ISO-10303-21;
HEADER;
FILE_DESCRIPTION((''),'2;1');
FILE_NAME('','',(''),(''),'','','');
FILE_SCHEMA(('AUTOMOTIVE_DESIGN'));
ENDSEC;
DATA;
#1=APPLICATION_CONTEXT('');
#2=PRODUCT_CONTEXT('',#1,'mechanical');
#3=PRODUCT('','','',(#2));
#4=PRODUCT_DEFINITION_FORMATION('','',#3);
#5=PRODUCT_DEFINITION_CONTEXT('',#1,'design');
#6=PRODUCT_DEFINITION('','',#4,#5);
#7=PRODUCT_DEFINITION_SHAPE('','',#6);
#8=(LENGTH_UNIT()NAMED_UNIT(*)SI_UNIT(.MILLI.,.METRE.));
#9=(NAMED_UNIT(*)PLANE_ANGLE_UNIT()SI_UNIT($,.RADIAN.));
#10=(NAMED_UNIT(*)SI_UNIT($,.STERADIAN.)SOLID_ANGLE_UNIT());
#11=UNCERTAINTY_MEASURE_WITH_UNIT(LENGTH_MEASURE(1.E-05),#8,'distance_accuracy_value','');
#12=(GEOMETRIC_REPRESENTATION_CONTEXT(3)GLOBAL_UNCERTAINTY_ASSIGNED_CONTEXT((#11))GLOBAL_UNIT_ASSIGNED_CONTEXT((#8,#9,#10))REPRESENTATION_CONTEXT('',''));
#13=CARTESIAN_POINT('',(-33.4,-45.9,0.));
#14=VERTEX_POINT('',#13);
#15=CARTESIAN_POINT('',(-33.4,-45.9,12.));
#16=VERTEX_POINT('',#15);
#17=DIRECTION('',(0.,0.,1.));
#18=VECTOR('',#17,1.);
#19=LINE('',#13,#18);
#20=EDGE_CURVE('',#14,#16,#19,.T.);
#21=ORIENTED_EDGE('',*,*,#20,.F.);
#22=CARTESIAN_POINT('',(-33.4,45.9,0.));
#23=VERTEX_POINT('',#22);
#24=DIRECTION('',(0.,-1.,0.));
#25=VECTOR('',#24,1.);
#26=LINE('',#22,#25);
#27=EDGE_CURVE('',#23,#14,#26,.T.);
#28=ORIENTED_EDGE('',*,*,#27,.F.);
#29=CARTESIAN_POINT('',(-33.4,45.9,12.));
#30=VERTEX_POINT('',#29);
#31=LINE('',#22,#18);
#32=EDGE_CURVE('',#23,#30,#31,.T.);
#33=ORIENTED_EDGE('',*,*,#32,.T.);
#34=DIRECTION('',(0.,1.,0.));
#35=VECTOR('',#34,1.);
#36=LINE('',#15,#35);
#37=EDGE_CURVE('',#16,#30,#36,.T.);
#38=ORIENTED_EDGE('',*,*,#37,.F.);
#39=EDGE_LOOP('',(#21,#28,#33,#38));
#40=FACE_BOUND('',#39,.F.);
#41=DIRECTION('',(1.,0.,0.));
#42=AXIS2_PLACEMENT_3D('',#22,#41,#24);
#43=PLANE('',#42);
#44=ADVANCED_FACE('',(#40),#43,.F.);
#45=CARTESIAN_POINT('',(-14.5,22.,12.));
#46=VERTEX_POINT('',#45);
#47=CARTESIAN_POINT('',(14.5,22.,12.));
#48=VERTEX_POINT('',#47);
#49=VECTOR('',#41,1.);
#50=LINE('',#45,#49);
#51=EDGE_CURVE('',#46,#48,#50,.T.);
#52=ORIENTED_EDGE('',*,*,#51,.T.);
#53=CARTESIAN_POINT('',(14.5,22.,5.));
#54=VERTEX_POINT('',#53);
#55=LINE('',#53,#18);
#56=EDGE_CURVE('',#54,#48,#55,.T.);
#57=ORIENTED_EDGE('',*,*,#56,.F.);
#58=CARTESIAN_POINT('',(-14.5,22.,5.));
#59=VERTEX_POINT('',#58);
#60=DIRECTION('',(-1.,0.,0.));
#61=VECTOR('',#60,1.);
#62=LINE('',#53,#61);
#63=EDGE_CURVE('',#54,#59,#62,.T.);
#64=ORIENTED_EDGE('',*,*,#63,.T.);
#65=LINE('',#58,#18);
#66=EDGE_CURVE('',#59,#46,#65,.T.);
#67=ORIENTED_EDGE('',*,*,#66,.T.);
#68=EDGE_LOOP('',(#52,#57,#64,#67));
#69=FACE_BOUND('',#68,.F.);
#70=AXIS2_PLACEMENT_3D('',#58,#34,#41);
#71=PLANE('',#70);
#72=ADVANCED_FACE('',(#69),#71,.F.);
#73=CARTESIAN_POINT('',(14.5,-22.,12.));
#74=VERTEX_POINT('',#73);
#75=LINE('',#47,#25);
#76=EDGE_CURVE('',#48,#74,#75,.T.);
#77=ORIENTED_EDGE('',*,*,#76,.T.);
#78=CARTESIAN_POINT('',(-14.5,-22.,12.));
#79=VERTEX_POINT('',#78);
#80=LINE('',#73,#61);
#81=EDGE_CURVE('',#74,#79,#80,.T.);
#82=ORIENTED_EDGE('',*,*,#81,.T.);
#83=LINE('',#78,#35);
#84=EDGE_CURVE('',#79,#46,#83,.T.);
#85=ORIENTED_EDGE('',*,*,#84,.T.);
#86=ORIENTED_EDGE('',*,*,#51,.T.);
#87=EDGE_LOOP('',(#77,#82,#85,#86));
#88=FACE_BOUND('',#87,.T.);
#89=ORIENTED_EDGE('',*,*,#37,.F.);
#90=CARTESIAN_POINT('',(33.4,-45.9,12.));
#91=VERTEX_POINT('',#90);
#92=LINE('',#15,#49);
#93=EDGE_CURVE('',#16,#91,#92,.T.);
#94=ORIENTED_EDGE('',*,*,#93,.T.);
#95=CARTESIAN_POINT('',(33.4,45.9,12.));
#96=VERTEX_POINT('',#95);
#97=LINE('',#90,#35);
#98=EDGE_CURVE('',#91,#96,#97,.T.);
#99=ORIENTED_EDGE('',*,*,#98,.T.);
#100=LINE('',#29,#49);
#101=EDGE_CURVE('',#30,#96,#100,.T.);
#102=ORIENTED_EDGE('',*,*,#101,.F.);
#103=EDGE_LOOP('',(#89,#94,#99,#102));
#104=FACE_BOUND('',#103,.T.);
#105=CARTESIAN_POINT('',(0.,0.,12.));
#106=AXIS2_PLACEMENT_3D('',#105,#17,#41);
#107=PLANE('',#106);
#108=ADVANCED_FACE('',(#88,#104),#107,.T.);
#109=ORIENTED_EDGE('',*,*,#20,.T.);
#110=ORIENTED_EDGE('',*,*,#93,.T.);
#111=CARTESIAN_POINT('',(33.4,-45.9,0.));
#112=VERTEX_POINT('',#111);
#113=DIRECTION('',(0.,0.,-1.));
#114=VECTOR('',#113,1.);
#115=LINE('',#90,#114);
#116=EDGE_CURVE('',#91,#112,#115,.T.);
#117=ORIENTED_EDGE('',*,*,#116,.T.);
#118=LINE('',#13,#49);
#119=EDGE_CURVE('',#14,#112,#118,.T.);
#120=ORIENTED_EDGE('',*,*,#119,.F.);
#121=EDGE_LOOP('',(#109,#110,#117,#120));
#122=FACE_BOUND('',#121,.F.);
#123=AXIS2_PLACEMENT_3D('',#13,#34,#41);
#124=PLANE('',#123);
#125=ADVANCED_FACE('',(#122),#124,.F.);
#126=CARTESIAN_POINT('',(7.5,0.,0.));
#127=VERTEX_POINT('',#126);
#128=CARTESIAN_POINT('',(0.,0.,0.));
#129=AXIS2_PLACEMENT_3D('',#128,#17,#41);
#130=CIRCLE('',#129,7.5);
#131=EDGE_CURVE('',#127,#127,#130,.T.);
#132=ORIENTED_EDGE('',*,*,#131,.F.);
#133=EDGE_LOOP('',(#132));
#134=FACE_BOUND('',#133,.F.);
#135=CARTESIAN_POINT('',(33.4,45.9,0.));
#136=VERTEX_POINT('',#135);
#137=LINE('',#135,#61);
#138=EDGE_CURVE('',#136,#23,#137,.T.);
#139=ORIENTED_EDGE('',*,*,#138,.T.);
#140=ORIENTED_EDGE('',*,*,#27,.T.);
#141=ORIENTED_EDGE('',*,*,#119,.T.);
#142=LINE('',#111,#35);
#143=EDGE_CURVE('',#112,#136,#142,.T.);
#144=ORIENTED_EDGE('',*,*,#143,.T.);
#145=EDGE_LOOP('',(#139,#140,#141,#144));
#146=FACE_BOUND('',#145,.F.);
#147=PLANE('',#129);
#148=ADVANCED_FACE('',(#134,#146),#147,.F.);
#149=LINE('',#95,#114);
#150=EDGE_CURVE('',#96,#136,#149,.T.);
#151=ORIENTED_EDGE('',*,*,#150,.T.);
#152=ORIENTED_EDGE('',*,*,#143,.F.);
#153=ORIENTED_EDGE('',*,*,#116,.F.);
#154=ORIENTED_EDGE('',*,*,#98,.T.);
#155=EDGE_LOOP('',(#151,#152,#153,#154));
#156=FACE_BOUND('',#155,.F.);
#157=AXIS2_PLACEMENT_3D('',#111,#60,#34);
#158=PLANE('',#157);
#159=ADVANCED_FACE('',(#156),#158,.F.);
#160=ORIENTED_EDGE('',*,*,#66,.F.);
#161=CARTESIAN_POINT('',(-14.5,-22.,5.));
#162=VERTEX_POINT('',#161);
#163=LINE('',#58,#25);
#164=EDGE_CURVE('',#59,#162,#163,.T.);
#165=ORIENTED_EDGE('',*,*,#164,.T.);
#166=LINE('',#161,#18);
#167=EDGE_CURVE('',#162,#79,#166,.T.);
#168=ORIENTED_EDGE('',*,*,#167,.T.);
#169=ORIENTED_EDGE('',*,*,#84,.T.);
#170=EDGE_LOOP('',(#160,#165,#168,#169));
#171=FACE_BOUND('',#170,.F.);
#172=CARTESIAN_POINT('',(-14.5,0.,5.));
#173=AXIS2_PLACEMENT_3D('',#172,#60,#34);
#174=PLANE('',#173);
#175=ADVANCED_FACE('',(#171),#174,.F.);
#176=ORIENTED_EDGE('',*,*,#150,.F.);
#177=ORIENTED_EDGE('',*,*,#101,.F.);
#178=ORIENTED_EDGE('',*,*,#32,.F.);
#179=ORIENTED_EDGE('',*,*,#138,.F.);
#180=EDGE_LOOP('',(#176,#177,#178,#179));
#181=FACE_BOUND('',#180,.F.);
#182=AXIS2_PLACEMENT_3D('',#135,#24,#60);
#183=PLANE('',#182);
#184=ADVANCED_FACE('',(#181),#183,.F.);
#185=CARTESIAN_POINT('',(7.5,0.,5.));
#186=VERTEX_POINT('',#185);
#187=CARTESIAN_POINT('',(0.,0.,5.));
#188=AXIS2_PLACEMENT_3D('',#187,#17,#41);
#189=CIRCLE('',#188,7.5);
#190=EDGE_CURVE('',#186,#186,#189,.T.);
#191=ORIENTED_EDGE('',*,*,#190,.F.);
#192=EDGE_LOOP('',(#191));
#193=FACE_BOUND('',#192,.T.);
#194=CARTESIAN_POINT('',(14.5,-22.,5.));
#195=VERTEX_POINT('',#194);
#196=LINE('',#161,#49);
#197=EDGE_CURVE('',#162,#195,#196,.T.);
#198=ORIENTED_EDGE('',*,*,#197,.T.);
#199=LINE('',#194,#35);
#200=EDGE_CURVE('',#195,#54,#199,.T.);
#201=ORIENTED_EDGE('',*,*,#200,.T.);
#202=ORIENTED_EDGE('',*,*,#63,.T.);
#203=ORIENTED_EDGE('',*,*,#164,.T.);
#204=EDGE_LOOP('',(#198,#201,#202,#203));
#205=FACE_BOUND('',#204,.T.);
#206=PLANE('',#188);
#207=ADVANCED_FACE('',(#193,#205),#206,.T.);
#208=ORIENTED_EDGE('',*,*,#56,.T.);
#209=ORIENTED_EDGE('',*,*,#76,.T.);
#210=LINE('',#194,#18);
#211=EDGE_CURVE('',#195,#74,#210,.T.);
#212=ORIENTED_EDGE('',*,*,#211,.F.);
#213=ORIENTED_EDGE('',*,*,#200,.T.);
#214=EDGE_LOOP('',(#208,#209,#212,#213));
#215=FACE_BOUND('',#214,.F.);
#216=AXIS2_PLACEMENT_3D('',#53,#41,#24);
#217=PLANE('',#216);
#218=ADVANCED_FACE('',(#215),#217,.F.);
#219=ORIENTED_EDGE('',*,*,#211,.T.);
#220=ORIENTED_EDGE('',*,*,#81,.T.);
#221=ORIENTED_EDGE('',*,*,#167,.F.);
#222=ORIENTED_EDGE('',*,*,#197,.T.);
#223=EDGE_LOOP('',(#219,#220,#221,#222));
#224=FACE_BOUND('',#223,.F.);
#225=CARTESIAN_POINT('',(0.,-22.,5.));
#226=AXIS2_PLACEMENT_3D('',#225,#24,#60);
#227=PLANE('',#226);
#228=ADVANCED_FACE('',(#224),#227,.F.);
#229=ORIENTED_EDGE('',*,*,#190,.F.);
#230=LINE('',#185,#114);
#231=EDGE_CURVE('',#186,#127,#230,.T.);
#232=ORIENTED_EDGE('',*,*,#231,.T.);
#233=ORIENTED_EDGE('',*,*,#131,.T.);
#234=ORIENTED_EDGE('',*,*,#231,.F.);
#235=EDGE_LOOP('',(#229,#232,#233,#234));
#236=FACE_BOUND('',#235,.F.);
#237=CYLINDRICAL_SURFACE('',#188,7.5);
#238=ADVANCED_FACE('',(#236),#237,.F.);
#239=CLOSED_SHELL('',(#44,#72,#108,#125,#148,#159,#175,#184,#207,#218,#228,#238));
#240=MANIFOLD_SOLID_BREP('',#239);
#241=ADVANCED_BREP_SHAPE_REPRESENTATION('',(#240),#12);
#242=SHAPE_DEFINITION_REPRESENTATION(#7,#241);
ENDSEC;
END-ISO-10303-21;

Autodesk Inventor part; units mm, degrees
ref_plane "YZ Plane" through (0, 0, 0) normal (1, 0, 0) x (0, 1, 0)
ref_plane "XZ Plane" through (0, 0, 0) normal (0, 1, 0) x (-1, 0, 0)
ref_plane "XY Plane" through (0, 0, 0) normal (0, 0, 1) x (1, 0, 0)
ref_plane "Arbeitsebene1" through (0, 0, 0) normal (0, 0, 1) x (1, 0, 0)
sketch "Skizze1" plane through (0, 0, 0) normal (0, 0, 1) x (1, 0, 0)
  line L0 (-28.4, 40.9) -> (28.4, 40.9) projected
  line L1 (28.4, 40.9) -> (28.4, -40.9) projected
  line L2 (28.4, -40.9) -> (-28.4, -40.9) projected
  line L3 (-28.4, -40.9) -> (-28.4, 40.9) projected
  line L4 (-33.4, 45.9) -> (-33.4, -45.9) projected
  line L5 (-33.4, -45.9) -> (33.4, -45.9) projected
  line L6 (33.4, -45.9) -> (33.4, 45.9) projected
  line L7 (33.4, 45.9) -> (-33.4, 45.9) projected
  line L8 (-28.4, 40.9) -> (28.4, 40.9) projected
  line L9 (28.4, 40.9) -> (28.4, -40.9) projected
  line L10 (28.4, -40.9) -> (-28.4, -40.9) projected
  line L11 (-28.4, -40.9) -> (-28.4, 40.9) projected
  line L12 (-33.4, 45.9) -> (-33.4, -45.9) projected
  line L13 (-33.4, -45.9) -> (33.4, -45.9) projected
  line L14 (33.4, -45.9) -> (33.4, 45.9) projected
  line L15 (33.4, 45.9) -> (-33.4, 45.9) projected
  point P0 (0, 0)
extrude "Extrusion1" add sketch "Skizze1" along normal blind 5 contours L0 L1 L2 L3 | L7 L6 L5 L4
sketch "Skizze2" plane through (0, 0, 5) normal (0, 0, 1) x (1, 0, 0)
  circle A0 centre (0, 0) radius 7.5
  dimension "d2" = 15
extrude "Extrusion2" cut sketch "Skizze2" against normal up to next
sketch "Skizze3" plane through (0, 0, 5) normal (0, 0, 1) x (1, 0, 0)
  line L0 (-33.4, 45.9) -> (-33.4, -45.9) projected
  line L1 (-33.4, -45.9) -> (33.4, -45.9) projected
  line L2 (33.4, -45.9) -> (33.4, 45.9) projected
  line L3 (33.4, 45.9) -> (-33.4, 45.9) projected
  line L4 (-14.5, 22) -> (14.5, 22)
  line L5 (14.5, 22) -> (14.5, -22)
  line L6 (14.5, -22) -> (-14.5, -22)
  line L7 (-14.5, -22) -> (-14.5, 22)
  line L8 (0, -64.26) -> (0, 64.26) projected
  line L9 (-46.76, 0) -> (46.76, 0) projected
  dimension "d9" = 29
  dimension "d10" = 44
extrude "Extrusion4" add sketch "Skizze3" along normal blind 7 contours L3 L8 L4 L7 L9 L0 | L9 L7 L6 L8 L1 L0 | L3 L2 L9 L5 L4 L8 | L8 L6 L5 L9 L2 L1
properties part number "InlayOben" material "Gummi, Silikon"
